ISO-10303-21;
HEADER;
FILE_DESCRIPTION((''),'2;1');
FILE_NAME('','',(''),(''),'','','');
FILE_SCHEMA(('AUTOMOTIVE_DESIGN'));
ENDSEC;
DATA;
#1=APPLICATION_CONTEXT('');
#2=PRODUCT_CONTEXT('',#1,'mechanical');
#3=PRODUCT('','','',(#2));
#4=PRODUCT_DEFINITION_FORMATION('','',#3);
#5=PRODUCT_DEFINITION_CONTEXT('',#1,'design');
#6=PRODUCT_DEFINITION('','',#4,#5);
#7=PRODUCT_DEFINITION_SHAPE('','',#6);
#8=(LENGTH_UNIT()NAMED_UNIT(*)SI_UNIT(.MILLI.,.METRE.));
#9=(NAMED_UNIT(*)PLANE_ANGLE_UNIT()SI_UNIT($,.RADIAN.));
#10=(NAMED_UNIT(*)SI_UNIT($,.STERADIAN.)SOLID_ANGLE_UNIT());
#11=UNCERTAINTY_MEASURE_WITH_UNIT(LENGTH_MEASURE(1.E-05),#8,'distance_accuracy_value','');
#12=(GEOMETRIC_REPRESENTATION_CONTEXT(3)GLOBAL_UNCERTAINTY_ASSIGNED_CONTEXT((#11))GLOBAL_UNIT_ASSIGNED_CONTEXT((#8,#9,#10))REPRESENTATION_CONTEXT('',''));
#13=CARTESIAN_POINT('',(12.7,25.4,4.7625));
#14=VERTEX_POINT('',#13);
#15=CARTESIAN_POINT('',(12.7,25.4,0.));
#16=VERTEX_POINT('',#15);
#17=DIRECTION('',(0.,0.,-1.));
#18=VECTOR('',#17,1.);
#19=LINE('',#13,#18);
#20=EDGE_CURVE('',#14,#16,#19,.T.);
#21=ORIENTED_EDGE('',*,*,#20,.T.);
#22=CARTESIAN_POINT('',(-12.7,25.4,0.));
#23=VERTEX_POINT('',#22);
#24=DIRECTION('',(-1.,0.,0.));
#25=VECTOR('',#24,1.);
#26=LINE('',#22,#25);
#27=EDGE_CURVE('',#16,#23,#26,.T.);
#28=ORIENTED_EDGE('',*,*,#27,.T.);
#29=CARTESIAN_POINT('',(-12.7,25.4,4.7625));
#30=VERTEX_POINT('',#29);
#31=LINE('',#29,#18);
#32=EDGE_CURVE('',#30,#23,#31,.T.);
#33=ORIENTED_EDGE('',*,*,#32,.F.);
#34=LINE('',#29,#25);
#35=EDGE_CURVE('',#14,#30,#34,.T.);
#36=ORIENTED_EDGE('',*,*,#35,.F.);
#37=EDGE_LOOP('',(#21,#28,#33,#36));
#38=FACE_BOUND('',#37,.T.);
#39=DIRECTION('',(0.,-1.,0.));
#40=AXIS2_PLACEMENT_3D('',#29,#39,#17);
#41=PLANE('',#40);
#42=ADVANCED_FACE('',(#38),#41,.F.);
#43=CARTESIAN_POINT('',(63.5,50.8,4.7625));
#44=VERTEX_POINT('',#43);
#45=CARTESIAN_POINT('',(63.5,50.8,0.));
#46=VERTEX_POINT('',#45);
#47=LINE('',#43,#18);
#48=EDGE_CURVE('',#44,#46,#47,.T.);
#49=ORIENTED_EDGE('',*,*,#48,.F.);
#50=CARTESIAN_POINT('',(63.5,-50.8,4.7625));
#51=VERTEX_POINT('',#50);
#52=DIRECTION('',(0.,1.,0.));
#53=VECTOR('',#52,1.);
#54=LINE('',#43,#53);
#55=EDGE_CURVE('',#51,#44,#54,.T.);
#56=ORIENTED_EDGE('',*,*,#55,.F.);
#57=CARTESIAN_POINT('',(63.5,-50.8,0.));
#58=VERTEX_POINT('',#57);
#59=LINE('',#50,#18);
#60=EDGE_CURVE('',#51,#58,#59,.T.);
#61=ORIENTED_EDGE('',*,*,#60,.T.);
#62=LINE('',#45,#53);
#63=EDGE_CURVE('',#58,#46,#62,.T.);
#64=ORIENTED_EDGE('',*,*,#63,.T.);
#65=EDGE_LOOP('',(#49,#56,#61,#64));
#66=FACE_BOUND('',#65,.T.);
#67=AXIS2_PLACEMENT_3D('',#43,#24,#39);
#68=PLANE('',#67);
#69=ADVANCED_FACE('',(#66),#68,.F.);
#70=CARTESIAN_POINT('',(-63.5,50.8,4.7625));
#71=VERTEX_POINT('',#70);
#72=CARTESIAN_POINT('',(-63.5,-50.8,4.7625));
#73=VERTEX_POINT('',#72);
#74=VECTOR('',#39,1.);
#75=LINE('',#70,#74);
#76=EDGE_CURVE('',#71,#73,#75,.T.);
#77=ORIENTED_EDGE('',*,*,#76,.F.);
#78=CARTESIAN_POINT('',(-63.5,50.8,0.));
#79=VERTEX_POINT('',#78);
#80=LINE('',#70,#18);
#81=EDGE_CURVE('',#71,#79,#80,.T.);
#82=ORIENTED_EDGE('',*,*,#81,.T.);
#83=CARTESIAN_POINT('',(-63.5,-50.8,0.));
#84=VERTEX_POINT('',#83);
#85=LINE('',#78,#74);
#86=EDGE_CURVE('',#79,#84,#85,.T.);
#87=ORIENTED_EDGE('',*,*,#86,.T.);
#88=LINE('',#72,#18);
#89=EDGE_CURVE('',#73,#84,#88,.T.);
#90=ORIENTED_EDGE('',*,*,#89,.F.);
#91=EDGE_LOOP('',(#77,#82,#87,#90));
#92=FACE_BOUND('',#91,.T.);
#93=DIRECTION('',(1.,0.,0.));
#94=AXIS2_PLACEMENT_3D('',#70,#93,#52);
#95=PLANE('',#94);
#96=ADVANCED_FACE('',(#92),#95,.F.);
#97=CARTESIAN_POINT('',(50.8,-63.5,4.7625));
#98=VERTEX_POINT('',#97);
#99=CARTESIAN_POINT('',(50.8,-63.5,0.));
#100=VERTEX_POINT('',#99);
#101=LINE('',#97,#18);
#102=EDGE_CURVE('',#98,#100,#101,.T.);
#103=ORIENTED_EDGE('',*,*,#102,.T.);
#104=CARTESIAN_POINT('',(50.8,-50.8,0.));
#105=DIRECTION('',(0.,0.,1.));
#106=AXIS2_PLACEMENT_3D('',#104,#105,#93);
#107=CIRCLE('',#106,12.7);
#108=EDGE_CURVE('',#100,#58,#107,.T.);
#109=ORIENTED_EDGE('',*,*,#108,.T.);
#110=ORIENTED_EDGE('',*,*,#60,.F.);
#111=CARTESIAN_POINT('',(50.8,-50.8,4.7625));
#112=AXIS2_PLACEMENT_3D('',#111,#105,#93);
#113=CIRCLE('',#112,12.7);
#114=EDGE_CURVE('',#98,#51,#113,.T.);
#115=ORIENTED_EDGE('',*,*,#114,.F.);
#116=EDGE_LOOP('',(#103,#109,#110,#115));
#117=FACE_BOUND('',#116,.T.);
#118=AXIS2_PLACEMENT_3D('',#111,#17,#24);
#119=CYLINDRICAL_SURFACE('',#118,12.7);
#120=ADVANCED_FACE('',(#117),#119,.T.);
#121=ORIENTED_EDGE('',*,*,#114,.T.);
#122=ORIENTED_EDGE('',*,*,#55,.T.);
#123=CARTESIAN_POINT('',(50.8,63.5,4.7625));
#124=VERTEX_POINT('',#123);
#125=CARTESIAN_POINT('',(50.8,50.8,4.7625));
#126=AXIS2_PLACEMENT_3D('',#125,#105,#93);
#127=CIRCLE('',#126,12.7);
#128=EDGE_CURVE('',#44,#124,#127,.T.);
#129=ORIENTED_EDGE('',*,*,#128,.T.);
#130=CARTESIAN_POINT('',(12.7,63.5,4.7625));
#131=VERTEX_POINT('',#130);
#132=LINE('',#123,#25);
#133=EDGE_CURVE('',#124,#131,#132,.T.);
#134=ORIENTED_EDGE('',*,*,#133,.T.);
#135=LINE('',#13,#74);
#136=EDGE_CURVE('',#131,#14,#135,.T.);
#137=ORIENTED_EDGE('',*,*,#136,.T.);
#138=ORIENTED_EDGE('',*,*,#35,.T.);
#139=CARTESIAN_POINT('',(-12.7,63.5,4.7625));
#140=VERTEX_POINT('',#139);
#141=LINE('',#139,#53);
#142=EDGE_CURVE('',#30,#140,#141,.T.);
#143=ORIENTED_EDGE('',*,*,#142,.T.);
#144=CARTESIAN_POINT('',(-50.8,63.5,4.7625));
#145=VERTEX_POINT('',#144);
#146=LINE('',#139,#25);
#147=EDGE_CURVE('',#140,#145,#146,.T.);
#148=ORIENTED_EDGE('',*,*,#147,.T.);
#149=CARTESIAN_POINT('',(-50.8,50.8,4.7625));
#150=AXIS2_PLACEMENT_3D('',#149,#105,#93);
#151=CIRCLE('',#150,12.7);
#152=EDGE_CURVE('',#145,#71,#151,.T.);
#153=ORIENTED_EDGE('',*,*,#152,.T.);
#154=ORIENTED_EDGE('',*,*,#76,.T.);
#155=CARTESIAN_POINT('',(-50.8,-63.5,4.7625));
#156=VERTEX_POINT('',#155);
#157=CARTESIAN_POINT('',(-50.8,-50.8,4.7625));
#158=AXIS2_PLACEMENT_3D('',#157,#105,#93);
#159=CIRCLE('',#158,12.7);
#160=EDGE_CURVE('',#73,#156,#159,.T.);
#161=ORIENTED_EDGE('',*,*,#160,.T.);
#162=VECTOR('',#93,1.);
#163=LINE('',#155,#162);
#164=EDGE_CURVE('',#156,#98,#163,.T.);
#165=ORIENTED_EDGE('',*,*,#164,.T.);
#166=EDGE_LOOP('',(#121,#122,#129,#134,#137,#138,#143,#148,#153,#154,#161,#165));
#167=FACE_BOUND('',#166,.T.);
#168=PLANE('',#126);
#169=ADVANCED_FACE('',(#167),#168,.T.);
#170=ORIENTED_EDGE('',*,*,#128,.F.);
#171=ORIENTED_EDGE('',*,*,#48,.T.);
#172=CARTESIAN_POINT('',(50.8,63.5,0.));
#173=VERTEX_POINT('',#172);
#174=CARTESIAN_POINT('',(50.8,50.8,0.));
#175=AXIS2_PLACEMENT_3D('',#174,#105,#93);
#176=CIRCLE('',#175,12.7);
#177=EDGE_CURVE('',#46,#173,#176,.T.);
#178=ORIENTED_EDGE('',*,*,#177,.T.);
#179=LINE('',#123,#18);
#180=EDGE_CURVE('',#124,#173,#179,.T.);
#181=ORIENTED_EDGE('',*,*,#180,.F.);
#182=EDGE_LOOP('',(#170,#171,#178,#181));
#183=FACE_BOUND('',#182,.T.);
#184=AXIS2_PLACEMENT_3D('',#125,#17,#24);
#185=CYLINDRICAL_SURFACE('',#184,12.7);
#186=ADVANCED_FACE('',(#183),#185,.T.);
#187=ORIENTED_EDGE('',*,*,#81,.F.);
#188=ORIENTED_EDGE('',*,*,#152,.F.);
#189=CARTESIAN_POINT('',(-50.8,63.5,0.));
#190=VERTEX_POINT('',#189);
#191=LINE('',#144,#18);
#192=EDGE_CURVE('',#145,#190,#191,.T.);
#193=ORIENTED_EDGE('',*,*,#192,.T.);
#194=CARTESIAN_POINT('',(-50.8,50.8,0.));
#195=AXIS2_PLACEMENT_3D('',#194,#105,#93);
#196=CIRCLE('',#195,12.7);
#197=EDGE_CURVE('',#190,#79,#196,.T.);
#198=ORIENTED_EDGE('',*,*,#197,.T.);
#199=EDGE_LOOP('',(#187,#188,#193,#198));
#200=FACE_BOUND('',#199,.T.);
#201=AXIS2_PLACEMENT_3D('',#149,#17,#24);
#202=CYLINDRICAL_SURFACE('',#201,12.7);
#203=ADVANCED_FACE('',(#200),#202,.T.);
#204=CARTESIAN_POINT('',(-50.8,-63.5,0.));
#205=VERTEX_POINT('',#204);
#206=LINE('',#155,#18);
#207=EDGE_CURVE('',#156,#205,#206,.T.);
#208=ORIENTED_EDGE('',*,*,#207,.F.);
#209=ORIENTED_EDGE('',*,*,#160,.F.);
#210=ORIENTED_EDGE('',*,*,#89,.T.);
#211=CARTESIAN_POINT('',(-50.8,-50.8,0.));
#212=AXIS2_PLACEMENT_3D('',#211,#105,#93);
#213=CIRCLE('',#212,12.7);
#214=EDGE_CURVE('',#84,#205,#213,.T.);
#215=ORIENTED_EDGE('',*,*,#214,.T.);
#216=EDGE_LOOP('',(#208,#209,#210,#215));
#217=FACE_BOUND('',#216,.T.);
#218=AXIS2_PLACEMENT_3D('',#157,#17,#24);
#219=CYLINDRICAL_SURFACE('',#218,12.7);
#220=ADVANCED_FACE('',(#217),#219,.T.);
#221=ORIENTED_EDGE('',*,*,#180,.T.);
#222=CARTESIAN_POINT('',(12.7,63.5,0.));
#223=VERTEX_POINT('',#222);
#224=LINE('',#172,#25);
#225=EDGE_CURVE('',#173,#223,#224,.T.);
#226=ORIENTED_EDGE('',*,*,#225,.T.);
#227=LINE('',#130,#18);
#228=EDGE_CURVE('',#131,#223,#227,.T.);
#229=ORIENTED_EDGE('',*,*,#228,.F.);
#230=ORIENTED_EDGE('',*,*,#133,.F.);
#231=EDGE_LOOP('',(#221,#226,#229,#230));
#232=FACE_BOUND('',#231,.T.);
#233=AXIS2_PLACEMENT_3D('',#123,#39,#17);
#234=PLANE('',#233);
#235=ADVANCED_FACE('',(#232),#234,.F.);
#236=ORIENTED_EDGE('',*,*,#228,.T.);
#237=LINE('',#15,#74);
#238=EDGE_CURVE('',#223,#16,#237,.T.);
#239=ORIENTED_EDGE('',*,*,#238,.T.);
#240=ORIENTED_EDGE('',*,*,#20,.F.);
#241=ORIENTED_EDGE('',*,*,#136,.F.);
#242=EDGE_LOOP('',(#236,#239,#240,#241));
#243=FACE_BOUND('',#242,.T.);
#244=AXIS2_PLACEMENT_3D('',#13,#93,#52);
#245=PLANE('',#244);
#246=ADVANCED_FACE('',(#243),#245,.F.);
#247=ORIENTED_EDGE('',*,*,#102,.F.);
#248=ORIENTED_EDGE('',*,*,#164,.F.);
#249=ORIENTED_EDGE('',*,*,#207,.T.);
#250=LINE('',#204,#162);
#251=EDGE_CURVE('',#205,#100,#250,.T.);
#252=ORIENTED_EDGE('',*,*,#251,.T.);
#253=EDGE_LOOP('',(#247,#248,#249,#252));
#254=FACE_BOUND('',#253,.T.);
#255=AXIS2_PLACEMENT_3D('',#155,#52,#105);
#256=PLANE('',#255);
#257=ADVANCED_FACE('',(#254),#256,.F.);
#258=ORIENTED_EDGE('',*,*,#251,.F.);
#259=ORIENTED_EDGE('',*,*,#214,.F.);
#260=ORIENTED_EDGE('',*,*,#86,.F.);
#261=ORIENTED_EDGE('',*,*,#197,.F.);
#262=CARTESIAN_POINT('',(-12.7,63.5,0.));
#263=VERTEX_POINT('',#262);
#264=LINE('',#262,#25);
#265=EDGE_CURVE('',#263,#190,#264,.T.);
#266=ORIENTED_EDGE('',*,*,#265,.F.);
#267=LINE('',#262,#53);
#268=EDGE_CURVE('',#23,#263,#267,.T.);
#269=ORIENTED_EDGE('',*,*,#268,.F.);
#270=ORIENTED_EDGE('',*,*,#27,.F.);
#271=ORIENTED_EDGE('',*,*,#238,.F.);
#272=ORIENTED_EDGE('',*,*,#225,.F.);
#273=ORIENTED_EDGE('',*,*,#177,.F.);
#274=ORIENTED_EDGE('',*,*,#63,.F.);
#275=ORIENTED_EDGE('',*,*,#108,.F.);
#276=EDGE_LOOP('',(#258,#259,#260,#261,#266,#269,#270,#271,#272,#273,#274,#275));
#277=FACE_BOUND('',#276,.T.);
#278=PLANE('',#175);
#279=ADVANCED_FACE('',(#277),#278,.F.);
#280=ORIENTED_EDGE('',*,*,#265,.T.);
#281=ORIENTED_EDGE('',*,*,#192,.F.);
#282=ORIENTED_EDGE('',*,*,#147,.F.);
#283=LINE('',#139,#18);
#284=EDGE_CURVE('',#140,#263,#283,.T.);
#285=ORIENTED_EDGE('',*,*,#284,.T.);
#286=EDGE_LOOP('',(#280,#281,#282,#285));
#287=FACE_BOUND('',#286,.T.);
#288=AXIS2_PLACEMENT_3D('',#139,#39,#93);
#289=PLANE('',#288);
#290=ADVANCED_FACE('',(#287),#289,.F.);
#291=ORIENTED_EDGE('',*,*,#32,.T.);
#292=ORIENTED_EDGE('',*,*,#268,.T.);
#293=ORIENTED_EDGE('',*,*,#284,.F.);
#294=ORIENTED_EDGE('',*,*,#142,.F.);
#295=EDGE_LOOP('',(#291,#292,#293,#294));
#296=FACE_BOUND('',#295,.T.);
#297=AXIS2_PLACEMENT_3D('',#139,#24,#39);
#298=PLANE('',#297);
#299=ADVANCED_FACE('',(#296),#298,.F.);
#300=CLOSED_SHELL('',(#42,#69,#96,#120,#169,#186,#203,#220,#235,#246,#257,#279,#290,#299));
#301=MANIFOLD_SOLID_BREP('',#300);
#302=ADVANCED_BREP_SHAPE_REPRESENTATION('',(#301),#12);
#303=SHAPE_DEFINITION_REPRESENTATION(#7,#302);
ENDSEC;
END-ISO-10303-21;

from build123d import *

# Parameters (mm, degrees)
BOSS_EXTRUDE1_DEPTH = 4.7625


with BuildPart() as part:
    # Sketch1 → Boss-Extrude1 (new body)
    with BuildSketch(Plane.XY):
        with BuildLine():
            Line((-63.5, 50.8), (-63.5, -50.8))
            ThreePointArc((-63.5, -50.8), (-59.780256121, -59.780256121), (-50.8, -63.5))
            Line((-50.8, -63.5), (50.8, -63.5))
            ThreePointArc((50.8, -63.5), (59.780256121, -59.780256121), (63.5, -50.8))
            Line((63.5, -50.8), (63.5, 50.8))
            ThreePointArc((63.5, 50.8), (59.780256121, 59.780256121), (50.8, 63.5))
            Line((50.8, 63.5), (12.7, 63.5))
            Line((12.7, 63.5), (12.7, 25.4))
            Line((12.7, 25.4), (-12.7, 25.4))
            Line((-12.7, 25.4), (-12.7, 63.5))
            Line((-12.7, 63.5), (-50.8, 63.5))
            ThreePointArc((-50.8, 63.5), (-59.780256121, 59.780256121), (-63.5, 50.8))
        make_face()
    extrude(amount=BOSS_EXTRUDE1_DEPTH)


solid = part.part
